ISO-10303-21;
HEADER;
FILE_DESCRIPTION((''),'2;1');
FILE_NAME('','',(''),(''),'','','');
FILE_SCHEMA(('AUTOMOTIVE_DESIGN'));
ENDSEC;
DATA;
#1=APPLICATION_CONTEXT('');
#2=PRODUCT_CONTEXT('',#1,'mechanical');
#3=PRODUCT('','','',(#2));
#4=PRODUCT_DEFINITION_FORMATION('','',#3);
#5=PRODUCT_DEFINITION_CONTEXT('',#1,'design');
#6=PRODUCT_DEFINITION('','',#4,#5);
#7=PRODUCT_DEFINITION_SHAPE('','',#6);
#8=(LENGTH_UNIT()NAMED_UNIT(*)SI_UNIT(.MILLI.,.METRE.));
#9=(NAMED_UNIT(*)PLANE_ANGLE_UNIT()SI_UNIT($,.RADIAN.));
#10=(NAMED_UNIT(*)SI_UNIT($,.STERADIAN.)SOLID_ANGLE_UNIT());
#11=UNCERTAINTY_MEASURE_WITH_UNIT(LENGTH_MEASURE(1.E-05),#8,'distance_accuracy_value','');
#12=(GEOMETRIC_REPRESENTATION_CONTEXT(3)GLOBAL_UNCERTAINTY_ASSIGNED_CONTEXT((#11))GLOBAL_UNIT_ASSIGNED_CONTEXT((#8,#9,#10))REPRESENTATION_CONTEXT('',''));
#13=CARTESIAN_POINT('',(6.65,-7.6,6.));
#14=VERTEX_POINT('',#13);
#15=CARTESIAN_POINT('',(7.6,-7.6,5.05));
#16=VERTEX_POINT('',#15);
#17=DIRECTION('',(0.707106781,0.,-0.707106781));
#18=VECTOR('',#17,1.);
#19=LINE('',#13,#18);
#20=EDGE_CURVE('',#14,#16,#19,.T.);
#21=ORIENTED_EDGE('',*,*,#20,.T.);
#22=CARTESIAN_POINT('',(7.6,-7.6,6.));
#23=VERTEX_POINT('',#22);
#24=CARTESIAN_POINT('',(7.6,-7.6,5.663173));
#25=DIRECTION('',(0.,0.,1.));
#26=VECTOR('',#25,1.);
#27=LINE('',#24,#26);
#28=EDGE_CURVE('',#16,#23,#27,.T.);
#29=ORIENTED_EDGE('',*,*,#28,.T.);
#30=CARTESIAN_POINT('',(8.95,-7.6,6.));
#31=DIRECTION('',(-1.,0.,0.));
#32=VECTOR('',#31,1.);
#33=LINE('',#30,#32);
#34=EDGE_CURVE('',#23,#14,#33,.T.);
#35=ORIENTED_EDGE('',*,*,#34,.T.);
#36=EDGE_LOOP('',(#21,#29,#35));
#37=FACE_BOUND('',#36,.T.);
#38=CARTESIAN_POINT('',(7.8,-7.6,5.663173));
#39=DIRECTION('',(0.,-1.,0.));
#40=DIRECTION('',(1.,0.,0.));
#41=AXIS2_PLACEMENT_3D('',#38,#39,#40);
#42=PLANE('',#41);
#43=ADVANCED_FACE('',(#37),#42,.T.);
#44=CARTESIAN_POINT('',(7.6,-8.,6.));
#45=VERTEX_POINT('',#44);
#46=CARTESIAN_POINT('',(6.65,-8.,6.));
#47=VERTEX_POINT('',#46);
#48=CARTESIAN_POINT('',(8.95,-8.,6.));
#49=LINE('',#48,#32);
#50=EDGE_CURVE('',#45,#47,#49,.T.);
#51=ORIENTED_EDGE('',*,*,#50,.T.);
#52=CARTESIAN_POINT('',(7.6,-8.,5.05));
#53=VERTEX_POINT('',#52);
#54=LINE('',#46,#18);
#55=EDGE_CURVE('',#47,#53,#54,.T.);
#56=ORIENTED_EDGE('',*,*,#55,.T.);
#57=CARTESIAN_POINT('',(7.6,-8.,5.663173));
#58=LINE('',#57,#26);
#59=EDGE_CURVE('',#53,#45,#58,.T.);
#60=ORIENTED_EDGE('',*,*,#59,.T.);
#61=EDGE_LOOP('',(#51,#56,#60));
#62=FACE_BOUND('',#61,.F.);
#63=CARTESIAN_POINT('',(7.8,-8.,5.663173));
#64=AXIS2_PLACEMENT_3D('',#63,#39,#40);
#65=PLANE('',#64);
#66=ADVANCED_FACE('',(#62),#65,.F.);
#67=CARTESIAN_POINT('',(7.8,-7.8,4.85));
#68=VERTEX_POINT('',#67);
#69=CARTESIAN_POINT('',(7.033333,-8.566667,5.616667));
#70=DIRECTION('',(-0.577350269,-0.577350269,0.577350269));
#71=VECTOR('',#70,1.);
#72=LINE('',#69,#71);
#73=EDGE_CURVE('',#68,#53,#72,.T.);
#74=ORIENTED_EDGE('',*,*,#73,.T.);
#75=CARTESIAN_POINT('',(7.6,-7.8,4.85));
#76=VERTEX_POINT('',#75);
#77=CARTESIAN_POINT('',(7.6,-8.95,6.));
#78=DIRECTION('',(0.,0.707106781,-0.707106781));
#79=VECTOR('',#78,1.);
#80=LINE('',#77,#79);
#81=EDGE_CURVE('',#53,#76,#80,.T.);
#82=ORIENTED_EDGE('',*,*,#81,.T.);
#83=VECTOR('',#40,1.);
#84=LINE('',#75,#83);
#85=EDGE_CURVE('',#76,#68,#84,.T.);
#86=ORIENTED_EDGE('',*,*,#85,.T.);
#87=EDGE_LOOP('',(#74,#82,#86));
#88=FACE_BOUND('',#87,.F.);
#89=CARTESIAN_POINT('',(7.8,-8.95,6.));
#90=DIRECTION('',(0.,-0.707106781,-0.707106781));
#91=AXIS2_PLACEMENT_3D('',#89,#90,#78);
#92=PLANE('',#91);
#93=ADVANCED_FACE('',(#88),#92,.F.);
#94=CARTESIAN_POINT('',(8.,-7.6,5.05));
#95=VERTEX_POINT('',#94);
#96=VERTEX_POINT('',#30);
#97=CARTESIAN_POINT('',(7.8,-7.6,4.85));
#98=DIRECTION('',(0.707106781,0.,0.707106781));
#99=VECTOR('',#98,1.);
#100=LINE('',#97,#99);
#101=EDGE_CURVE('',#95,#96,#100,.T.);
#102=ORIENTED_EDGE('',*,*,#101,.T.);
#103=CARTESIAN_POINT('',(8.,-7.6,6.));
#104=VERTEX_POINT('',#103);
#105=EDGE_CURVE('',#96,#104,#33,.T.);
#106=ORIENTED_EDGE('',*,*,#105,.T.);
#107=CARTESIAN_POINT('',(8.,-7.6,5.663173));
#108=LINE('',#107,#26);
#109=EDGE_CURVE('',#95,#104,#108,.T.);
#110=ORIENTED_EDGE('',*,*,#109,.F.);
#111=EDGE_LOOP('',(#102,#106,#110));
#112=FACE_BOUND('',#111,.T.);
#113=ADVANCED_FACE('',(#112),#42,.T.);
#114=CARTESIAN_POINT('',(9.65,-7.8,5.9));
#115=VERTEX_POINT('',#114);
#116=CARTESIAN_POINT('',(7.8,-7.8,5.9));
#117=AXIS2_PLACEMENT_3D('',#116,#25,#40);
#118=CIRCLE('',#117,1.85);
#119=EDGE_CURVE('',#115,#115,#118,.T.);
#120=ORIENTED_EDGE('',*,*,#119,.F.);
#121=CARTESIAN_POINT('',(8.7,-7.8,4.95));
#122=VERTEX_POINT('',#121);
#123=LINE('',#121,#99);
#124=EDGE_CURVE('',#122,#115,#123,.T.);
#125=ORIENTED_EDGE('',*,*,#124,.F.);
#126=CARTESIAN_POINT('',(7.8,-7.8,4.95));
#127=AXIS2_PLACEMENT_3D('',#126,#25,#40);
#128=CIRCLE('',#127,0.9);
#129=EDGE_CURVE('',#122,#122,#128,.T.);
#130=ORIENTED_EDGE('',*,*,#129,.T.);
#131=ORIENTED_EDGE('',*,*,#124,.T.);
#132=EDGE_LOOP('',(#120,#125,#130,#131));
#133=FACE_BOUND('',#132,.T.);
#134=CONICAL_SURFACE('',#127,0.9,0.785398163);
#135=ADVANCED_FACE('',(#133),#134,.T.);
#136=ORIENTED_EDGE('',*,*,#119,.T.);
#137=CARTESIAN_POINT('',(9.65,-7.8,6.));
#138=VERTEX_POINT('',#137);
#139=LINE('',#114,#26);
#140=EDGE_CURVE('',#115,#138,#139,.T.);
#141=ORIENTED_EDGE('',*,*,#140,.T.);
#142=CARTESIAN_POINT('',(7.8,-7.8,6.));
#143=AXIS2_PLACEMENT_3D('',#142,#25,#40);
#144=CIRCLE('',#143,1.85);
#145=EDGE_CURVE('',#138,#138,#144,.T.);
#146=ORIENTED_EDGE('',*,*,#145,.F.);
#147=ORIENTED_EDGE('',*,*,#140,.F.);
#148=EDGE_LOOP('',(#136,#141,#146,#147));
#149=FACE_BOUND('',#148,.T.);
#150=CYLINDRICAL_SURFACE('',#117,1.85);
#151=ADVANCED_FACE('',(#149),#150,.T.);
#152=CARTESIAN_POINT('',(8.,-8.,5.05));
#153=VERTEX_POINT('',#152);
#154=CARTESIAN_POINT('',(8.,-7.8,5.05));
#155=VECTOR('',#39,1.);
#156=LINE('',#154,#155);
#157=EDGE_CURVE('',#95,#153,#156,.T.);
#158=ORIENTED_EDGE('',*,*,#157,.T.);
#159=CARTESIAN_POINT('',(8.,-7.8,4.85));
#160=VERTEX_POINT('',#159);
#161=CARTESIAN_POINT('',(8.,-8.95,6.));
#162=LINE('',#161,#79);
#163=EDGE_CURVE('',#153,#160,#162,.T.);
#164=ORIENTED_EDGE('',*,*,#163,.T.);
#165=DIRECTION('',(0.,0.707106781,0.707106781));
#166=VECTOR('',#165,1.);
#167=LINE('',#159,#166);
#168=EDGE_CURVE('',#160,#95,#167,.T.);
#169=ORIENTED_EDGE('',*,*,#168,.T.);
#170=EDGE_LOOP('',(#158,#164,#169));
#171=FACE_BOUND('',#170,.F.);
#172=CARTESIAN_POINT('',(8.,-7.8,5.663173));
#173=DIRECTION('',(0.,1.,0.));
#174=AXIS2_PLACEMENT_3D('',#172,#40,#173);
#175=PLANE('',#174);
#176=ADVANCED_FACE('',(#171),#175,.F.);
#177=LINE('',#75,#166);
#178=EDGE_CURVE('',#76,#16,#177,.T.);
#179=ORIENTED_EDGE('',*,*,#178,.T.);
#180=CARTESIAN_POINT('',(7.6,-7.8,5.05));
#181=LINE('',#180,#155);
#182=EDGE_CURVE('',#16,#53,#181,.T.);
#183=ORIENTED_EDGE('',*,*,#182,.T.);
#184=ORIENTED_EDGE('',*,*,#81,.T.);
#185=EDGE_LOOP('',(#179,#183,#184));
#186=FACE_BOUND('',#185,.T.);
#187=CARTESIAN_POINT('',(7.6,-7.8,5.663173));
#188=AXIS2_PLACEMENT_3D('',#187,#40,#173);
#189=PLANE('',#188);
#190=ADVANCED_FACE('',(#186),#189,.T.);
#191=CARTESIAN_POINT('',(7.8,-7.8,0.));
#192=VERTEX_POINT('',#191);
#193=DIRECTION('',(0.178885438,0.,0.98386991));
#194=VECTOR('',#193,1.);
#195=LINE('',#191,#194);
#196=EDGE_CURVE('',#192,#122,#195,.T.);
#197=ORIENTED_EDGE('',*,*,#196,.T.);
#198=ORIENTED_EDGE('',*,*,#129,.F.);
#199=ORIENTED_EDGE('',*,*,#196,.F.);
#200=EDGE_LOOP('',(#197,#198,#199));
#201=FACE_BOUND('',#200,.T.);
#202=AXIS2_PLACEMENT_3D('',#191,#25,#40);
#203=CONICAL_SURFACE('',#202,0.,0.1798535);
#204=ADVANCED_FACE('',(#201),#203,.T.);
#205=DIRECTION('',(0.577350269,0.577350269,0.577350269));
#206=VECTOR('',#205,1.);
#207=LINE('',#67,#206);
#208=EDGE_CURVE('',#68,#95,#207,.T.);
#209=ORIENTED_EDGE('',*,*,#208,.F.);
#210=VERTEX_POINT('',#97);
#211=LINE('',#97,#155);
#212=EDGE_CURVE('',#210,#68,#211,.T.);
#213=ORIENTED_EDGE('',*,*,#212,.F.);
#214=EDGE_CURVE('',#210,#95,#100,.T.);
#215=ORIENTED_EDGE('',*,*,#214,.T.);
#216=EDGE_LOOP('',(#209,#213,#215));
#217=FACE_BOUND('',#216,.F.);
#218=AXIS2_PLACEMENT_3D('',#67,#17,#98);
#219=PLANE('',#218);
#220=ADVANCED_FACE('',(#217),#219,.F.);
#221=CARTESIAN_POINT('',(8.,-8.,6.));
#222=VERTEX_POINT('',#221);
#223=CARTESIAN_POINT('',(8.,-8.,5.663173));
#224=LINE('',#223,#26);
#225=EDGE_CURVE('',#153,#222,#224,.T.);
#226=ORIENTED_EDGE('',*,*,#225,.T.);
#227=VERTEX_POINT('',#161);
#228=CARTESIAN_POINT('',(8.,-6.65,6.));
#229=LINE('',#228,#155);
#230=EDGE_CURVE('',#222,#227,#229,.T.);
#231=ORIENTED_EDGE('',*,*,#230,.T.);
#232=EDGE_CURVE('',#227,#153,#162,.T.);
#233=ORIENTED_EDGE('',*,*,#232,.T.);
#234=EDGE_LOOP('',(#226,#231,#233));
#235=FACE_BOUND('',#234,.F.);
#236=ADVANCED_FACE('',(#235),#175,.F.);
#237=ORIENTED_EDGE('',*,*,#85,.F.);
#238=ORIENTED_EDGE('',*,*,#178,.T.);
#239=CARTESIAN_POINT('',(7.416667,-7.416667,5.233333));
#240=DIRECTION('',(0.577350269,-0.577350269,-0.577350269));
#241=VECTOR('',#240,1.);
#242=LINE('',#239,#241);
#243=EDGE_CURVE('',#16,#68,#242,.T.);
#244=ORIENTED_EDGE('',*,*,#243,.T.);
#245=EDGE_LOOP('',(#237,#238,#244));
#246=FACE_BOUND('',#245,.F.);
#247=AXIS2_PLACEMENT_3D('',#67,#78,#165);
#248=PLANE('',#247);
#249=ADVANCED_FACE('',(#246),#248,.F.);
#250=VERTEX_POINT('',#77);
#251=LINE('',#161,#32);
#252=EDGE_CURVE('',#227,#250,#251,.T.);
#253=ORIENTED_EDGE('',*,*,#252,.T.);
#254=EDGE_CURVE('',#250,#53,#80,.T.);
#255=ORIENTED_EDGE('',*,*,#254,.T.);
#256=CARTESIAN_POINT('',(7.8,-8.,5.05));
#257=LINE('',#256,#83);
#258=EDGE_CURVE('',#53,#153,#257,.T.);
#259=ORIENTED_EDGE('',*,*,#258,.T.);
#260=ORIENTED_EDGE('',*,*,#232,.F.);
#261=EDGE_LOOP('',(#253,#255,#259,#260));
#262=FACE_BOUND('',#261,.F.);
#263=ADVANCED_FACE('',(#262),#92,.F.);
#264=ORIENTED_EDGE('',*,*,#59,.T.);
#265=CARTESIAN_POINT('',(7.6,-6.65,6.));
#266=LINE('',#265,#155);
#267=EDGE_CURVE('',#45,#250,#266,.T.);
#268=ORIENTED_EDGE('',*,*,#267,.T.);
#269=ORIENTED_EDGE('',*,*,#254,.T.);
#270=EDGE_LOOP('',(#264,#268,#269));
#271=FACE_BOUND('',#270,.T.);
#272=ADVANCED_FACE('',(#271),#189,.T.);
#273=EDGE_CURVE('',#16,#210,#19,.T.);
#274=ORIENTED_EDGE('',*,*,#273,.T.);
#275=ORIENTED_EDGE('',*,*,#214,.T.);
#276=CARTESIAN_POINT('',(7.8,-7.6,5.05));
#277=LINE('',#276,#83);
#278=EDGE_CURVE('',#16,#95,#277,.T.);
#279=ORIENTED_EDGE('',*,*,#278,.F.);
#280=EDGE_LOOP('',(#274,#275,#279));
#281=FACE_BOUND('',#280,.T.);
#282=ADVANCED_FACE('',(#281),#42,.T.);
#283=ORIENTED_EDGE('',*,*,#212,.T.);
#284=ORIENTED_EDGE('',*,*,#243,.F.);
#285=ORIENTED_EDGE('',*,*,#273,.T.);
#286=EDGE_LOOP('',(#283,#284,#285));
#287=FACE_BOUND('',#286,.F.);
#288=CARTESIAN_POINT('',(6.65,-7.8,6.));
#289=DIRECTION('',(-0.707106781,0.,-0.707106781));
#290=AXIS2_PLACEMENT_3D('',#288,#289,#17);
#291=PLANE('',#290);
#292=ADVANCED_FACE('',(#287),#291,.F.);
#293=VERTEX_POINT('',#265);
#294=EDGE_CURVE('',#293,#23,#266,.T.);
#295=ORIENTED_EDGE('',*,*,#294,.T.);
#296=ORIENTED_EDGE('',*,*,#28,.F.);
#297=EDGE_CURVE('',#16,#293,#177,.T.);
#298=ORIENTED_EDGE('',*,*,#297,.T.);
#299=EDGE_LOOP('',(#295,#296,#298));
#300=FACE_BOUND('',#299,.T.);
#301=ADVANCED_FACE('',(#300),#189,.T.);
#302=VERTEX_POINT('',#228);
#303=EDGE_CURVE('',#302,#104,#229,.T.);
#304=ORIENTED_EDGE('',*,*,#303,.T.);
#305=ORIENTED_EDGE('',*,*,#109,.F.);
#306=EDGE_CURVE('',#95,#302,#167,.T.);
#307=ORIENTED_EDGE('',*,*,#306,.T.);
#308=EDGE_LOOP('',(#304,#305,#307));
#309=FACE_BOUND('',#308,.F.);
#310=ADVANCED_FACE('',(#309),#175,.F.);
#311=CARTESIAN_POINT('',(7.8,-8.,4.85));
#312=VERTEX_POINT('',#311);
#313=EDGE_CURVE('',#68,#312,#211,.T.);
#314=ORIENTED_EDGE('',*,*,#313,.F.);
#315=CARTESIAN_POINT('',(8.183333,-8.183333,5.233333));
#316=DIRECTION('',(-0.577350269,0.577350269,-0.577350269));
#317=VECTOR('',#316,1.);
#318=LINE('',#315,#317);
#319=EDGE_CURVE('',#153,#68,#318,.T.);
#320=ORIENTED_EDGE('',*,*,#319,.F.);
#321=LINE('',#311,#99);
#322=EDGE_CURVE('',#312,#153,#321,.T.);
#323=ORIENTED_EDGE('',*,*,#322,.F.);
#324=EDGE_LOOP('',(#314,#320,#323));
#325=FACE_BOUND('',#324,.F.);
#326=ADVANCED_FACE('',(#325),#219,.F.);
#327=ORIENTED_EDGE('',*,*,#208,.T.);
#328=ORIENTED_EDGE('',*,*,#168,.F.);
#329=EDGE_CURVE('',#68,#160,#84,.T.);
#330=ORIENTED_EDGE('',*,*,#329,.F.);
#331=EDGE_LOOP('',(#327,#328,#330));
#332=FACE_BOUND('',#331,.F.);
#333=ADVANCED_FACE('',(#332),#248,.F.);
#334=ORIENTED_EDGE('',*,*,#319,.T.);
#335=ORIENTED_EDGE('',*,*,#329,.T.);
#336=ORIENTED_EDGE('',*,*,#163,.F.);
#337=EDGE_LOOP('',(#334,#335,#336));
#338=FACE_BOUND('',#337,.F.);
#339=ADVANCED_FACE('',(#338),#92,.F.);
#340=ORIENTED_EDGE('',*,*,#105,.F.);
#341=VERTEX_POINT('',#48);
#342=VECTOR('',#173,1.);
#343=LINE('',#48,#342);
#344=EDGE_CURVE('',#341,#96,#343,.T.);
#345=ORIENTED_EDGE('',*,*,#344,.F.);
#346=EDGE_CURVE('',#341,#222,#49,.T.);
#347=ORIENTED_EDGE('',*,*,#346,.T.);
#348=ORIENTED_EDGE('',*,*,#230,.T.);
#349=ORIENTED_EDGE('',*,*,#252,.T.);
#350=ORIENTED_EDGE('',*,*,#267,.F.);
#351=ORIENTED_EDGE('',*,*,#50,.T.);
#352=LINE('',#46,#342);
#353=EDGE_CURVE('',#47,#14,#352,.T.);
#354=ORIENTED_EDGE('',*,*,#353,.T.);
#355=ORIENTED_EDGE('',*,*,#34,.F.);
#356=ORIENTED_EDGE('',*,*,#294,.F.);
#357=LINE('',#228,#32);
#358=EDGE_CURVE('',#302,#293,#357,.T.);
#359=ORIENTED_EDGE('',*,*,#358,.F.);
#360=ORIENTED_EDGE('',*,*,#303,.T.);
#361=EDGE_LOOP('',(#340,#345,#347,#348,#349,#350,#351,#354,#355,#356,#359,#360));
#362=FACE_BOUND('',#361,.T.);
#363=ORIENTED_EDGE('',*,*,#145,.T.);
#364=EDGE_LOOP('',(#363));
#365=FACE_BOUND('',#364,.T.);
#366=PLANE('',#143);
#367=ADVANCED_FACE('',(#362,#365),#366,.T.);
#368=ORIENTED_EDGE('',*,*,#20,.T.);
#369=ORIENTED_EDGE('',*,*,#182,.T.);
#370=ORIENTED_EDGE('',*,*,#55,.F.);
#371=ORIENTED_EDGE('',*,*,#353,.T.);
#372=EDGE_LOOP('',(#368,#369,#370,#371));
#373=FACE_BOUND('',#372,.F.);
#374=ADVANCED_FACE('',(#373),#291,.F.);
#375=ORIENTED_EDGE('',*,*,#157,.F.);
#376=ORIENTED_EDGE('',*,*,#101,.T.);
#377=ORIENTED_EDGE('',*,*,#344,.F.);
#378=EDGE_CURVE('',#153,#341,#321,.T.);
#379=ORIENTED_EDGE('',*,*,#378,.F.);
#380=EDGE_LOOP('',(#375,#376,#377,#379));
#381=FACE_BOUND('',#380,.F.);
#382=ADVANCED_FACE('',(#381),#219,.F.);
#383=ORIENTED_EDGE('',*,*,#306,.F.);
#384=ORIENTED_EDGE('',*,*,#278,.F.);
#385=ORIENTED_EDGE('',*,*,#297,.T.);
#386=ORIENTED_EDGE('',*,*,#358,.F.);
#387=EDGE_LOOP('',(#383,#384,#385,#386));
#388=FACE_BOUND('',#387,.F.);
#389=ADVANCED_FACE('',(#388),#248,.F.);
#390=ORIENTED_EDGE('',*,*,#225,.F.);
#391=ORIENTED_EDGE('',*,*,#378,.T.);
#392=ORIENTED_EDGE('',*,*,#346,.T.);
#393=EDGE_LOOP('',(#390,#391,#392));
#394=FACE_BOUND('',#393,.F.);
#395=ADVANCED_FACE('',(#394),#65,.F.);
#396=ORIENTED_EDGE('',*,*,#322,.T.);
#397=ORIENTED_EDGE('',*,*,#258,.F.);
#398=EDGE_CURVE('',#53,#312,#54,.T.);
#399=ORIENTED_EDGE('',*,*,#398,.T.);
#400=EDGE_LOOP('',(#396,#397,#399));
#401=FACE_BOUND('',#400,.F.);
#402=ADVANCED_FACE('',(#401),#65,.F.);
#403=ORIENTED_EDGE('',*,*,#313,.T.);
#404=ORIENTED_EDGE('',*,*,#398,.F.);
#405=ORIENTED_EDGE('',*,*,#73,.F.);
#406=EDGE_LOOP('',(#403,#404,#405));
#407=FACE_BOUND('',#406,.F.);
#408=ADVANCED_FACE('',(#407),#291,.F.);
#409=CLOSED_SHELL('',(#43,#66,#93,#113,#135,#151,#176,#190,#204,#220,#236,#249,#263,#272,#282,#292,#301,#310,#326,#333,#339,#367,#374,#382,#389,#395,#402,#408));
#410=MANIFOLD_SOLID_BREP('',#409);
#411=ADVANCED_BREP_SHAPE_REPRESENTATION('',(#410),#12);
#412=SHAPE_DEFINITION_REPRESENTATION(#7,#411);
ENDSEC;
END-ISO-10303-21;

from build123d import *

# Parameters (mm, degrees)
POCKET042_DEPTH    = 0.2
POLARPATTERN_COUNT = 2
POLARPATTERN_ANGLE = 90


with BuildPart() as part:
    # Sketch074 → Revolution (revolve)
    with BuildSketch(Plane.XZ):
        Polygon((0, 0), (0, -6), (0.9, -1.0499999999), (1.85, -0.1), (1.85, 0), align=None)
    revolve(axis=Axis((0, 0, 0), (0, 0, 1)))

    # Sketch001 → Pocket042 (cut, symmetric)
    with BuildSketch(Plane.XZ):
        Polygon((-1.15, 0), (0, -1.15), (1.15, 0), align=None)
    pocket042 = extrude(amount=POCKET042_DEPTH, both=True, mode=Mode.SUBTRACT)

    # PolarPattern: Pocket042 ×2 about axis
    polarpattern_axis = Axis((0, 0, 0), (0, 0, 1))
    for i in range(1, POLARPATTERN_COUNT):
        add(pocket042.rotate(polarpattern_axis, i * POLARPATTERN_ANGLE / (POLARPATTERN_COUNT - 1)), mode=Mode.SUBTRACT)


with BuildPart() as part_1:
    # Body014 placement: moved
    add(part.part.moved(Location((7.8, -7.8, 6))))


solid = part_1.part
